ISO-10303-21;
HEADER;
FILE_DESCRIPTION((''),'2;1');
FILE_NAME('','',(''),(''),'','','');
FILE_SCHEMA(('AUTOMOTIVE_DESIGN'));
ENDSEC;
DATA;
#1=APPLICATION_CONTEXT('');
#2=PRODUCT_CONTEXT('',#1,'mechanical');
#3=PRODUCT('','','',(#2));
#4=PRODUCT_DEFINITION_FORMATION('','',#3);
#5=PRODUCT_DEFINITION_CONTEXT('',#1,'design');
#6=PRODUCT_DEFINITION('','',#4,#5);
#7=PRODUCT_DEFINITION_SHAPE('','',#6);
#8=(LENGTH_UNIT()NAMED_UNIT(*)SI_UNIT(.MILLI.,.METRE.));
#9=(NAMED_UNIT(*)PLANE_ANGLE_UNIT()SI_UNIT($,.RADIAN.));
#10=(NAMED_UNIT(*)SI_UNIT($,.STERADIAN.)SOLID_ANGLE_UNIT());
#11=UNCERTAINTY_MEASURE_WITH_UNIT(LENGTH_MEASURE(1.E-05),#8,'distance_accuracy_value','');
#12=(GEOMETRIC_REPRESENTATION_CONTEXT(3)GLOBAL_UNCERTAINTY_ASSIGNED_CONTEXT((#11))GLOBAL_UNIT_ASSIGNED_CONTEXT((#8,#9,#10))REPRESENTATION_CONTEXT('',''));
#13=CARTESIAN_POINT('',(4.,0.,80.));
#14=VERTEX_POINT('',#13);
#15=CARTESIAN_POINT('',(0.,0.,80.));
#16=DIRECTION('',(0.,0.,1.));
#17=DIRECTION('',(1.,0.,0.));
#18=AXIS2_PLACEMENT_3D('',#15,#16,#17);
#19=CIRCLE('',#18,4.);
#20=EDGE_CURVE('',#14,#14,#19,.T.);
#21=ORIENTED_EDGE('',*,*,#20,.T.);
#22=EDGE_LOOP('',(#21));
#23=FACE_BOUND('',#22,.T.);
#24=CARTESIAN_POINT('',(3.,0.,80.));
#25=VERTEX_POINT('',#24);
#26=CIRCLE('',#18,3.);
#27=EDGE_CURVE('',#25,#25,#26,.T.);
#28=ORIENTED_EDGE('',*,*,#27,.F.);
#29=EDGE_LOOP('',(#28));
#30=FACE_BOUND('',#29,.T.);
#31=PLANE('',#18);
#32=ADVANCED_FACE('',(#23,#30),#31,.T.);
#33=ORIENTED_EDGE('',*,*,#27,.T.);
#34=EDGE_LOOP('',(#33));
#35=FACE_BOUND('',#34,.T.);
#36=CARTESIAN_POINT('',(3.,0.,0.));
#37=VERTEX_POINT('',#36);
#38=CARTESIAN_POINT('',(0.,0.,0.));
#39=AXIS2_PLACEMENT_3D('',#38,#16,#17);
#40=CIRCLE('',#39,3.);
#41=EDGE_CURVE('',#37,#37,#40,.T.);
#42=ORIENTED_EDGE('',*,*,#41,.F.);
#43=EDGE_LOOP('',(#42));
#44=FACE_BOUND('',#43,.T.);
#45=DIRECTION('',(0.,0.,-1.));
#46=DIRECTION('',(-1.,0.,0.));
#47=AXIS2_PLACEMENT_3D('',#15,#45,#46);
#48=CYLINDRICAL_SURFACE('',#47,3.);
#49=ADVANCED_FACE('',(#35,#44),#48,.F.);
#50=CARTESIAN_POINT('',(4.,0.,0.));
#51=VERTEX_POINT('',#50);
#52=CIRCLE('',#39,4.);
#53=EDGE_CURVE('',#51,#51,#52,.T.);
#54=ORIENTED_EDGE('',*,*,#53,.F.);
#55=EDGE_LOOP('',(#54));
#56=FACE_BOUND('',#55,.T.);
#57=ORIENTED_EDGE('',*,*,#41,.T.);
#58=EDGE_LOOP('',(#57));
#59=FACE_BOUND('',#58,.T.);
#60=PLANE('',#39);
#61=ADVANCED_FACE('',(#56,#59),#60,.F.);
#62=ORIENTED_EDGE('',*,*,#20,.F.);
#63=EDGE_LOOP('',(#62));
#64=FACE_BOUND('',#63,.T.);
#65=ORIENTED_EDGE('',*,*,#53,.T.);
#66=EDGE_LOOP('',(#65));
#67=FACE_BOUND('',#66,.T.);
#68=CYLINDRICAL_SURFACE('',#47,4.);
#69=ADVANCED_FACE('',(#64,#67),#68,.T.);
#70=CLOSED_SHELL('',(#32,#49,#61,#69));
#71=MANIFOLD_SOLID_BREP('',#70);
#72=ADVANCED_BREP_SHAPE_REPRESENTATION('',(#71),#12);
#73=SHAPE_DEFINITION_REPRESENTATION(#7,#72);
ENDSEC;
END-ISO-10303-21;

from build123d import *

# Parameters (mm, degrees)
CROQUIS1_R              = 4
CROQUIS1_R_2            = 3
SALIENTE_EXTRUIR1_DEPTH = 80


with BuildPart() as part:
    # Croquis1 → Saliente-Extruir1 (new body)
    with BuildSketch(Plane.XY):
        Circle(CROQUIS1_R)
        Circle(CROQUIS1_R_2, mode=Mode.SUBTRACT)
    extrude(amount=SALIENTE_EXTRUIR1_DEPTH)


solid = part.part
